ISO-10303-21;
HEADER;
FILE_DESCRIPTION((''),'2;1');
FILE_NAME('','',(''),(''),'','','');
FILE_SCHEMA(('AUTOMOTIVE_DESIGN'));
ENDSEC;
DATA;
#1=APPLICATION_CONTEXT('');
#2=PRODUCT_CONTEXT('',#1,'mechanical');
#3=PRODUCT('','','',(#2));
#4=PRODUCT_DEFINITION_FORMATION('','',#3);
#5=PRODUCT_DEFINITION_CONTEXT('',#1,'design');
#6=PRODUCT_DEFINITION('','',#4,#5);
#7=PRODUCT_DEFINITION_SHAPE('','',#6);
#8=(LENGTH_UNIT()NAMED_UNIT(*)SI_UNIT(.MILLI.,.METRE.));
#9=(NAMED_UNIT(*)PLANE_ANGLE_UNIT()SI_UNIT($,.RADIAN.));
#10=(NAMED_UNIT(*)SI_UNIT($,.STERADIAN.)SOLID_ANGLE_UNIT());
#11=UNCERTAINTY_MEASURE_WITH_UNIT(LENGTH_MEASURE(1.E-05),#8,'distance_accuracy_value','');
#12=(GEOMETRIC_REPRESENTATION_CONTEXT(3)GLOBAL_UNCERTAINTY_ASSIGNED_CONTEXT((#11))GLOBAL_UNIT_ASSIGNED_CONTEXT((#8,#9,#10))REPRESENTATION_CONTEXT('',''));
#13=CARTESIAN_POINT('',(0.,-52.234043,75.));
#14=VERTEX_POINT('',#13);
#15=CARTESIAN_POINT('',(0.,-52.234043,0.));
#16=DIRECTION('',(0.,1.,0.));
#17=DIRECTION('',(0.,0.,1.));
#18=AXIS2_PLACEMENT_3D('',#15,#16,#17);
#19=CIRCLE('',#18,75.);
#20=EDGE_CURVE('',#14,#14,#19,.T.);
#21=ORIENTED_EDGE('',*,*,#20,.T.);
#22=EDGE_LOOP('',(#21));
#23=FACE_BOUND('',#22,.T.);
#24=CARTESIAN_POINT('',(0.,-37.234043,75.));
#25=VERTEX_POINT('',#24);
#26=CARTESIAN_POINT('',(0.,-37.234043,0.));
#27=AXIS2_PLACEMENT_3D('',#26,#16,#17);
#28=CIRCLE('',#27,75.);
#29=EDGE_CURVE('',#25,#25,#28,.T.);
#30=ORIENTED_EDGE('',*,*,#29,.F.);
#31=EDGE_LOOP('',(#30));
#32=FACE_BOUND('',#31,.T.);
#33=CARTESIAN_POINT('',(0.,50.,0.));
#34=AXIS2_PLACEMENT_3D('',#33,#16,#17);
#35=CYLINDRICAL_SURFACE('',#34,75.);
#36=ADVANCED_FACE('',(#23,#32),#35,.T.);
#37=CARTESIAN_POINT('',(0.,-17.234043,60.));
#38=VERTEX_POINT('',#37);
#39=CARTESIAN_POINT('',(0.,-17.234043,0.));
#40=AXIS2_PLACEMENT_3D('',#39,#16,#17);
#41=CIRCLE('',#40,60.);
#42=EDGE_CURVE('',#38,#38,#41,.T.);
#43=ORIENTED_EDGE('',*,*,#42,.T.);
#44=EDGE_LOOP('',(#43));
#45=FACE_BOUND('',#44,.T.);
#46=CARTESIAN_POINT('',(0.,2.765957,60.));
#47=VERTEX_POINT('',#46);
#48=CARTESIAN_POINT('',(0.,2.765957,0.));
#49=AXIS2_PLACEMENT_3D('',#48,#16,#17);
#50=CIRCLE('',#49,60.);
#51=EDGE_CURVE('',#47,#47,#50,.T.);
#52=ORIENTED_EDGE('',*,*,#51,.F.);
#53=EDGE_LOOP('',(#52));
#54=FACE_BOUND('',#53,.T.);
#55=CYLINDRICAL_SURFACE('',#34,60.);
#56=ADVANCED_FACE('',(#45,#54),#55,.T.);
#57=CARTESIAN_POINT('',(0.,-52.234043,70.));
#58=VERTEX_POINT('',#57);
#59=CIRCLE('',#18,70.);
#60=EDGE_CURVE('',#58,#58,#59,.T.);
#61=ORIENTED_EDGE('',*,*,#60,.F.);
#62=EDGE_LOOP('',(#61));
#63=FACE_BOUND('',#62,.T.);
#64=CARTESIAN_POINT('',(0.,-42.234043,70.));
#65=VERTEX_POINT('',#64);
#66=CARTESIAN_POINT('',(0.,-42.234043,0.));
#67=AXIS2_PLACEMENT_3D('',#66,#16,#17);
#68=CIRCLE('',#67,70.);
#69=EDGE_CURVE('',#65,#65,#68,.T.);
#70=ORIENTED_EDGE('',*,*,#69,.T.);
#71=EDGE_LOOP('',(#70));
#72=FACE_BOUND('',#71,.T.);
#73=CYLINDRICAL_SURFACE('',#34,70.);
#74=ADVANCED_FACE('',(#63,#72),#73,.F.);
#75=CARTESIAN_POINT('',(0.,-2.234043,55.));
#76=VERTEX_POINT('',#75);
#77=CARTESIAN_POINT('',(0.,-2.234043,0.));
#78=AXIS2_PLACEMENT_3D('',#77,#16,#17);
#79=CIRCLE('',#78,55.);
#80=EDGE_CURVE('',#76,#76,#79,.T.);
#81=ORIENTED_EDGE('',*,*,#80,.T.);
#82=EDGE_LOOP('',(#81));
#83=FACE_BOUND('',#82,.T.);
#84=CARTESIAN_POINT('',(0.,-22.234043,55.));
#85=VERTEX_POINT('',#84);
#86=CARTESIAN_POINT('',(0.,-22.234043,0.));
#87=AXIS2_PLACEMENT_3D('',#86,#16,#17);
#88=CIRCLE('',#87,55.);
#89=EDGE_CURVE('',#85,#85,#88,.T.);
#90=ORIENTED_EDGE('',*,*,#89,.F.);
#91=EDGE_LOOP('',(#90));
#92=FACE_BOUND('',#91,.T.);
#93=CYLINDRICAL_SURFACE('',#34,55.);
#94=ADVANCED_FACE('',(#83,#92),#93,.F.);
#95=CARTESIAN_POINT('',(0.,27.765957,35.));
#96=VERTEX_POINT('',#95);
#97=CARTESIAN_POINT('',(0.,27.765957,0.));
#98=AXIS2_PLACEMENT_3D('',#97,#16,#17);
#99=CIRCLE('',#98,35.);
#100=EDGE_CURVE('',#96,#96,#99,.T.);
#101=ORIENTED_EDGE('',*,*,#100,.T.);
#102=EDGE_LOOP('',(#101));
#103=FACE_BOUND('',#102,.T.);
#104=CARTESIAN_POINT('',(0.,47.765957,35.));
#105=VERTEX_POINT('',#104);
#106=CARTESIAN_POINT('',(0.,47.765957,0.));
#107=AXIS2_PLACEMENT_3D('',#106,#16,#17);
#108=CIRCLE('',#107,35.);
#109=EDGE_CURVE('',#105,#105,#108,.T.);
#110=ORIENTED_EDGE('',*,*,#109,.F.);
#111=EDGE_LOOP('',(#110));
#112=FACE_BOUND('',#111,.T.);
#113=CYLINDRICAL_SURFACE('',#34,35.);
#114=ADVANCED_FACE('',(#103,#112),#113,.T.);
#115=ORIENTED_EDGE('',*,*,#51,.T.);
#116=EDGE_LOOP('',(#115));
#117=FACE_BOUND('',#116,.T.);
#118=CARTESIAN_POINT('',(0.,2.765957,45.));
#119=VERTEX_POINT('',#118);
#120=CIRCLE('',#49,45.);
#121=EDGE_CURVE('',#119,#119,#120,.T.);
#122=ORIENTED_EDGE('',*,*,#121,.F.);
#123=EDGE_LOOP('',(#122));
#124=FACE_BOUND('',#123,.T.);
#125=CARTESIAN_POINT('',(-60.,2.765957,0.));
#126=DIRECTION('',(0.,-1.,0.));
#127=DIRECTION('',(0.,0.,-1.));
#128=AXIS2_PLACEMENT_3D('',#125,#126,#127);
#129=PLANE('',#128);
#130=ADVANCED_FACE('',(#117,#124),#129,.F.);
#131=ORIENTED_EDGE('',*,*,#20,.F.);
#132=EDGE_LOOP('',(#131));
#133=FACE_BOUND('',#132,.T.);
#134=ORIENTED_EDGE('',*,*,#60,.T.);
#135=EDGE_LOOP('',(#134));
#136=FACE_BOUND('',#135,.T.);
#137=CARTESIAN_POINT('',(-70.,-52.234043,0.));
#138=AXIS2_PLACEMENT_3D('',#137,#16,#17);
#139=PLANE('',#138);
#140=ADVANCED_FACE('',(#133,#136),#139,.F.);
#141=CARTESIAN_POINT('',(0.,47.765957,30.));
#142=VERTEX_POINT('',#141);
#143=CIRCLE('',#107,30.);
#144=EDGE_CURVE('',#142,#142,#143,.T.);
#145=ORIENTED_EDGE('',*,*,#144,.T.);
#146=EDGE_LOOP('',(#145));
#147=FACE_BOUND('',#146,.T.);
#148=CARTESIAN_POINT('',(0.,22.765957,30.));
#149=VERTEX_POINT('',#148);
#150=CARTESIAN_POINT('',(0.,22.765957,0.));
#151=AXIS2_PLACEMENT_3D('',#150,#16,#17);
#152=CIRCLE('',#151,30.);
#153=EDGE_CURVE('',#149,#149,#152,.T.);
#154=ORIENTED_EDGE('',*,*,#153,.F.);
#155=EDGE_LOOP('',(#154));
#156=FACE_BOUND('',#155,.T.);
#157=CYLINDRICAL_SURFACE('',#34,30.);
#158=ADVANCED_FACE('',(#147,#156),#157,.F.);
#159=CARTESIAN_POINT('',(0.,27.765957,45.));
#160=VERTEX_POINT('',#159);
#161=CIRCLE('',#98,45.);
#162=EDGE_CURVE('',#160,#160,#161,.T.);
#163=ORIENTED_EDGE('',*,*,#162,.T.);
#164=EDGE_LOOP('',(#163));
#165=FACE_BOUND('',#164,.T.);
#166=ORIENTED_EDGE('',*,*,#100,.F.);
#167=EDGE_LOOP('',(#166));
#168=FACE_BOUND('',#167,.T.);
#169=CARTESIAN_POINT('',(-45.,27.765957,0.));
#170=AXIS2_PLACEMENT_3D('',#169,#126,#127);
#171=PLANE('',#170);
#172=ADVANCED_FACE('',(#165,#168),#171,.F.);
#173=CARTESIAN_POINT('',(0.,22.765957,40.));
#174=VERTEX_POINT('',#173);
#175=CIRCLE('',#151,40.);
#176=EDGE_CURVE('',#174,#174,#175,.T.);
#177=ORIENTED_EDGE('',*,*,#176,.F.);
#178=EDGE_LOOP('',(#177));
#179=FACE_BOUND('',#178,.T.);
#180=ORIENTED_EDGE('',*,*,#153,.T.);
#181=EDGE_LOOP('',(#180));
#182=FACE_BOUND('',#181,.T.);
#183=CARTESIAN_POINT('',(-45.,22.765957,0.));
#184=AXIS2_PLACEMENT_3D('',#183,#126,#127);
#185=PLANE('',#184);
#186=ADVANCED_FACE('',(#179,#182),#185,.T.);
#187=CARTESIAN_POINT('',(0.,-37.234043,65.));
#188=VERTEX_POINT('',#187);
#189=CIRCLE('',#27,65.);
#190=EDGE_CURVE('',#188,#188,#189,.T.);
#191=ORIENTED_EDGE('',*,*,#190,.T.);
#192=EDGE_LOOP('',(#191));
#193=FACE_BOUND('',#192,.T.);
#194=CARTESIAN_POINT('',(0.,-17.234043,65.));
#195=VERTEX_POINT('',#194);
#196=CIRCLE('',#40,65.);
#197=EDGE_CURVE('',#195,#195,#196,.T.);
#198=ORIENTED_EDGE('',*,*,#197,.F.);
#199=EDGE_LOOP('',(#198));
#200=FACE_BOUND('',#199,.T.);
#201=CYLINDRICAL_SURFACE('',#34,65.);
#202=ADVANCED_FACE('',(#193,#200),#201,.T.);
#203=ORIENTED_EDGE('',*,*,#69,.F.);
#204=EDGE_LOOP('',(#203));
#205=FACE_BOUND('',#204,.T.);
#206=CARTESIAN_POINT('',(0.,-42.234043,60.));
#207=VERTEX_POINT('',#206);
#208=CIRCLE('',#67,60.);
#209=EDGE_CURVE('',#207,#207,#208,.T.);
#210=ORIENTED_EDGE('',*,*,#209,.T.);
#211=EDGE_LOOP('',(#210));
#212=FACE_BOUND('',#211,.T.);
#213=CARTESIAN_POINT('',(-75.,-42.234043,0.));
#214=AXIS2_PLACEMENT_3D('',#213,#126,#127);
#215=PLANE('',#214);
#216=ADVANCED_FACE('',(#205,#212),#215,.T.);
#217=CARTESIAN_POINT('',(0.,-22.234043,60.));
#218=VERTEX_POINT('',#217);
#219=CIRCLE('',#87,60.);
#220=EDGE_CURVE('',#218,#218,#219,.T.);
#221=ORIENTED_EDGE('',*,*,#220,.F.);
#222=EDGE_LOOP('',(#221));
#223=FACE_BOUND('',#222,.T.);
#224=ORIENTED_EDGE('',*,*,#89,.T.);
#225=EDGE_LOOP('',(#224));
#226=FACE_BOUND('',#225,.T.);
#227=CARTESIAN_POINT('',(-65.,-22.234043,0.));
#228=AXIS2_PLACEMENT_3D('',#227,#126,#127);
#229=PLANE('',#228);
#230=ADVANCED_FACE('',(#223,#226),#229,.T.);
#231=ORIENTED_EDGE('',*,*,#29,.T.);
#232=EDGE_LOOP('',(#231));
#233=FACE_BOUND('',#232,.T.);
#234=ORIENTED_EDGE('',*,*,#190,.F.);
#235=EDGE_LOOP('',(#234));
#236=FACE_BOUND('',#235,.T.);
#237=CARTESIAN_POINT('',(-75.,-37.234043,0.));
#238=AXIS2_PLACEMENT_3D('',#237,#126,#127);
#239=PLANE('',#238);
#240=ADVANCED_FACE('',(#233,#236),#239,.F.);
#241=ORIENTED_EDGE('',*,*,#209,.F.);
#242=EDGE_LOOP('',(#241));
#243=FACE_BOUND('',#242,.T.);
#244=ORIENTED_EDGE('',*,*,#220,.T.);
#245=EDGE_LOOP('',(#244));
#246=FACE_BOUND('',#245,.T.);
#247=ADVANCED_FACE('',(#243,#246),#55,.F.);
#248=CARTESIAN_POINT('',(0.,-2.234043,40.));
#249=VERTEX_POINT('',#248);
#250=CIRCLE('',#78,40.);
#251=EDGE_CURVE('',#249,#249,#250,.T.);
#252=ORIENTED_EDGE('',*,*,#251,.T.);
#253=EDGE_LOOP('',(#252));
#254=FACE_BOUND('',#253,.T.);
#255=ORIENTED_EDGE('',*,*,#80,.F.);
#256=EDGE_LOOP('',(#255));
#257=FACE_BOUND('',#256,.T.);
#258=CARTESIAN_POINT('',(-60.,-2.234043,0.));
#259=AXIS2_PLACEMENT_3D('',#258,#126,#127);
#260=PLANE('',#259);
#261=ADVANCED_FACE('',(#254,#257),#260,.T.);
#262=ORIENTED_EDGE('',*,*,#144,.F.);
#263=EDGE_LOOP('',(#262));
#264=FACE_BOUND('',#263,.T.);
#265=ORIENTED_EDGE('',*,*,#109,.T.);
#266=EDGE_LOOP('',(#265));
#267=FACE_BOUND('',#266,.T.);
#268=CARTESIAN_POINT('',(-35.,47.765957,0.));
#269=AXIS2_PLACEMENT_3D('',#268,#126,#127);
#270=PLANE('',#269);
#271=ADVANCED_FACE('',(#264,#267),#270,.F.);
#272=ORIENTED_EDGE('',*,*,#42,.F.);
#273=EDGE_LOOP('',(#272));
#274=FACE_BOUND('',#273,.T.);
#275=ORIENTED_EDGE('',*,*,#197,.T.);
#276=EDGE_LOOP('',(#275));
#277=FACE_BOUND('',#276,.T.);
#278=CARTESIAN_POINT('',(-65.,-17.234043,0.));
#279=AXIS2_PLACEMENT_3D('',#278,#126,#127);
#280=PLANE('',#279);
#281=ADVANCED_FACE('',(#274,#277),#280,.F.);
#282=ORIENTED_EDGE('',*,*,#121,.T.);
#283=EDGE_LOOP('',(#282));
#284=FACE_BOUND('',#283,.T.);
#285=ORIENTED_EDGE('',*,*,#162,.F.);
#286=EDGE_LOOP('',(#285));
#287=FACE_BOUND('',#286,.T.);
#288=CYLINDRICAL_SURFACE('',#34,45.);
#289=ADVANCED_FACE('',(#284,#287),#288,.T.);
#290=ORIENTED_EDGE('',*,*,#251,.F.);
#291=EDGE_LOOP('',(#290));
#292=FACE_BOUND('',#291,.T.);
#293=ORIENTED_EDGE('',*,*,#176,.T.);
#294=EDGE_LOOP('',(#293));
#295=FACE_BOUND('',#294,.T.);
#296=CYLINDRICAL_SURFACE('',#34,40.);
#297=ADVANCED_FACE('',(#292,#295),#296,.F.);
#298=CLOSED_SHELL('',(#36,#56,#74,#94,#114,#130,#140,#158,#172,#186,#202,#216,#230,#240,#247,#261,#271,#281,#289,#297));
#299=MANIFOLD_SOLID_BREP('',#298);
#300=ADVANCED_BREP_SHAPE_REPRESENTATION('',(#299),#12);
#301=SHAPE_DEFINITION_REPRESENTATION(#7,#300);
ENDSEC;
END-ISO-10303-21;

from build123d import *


with BuildPart() as part:
    # Sketch1 → Revolve-Thin1 (revolve)
    with BuildSketch(Plane.XY):
        Polygon((-75, -52.234042553), (-75, -37.234042553), (-65, -37.234042553), (-65, -17.234042553), (-60, -17.234042553), (-60, 2.765957447), (-45, 2.765957447), (-45, 27.765957447), (-35, 27.765957447), (-35, 47.765957447), (-30, 47.765957447), (-30, 22.765957447), (-40, 22.765957447), (-40, -2.234042553), (-55, -2.234042553), (-55, -22.234042553), (-60, -22.234042553), (-60, -42.234042553), (-70, -42.234042553), (-70, -52.234042553), align=None)
    revolve(axis=Axis((0, 50, 0), (0, -1, 0)))


solid = part.part
